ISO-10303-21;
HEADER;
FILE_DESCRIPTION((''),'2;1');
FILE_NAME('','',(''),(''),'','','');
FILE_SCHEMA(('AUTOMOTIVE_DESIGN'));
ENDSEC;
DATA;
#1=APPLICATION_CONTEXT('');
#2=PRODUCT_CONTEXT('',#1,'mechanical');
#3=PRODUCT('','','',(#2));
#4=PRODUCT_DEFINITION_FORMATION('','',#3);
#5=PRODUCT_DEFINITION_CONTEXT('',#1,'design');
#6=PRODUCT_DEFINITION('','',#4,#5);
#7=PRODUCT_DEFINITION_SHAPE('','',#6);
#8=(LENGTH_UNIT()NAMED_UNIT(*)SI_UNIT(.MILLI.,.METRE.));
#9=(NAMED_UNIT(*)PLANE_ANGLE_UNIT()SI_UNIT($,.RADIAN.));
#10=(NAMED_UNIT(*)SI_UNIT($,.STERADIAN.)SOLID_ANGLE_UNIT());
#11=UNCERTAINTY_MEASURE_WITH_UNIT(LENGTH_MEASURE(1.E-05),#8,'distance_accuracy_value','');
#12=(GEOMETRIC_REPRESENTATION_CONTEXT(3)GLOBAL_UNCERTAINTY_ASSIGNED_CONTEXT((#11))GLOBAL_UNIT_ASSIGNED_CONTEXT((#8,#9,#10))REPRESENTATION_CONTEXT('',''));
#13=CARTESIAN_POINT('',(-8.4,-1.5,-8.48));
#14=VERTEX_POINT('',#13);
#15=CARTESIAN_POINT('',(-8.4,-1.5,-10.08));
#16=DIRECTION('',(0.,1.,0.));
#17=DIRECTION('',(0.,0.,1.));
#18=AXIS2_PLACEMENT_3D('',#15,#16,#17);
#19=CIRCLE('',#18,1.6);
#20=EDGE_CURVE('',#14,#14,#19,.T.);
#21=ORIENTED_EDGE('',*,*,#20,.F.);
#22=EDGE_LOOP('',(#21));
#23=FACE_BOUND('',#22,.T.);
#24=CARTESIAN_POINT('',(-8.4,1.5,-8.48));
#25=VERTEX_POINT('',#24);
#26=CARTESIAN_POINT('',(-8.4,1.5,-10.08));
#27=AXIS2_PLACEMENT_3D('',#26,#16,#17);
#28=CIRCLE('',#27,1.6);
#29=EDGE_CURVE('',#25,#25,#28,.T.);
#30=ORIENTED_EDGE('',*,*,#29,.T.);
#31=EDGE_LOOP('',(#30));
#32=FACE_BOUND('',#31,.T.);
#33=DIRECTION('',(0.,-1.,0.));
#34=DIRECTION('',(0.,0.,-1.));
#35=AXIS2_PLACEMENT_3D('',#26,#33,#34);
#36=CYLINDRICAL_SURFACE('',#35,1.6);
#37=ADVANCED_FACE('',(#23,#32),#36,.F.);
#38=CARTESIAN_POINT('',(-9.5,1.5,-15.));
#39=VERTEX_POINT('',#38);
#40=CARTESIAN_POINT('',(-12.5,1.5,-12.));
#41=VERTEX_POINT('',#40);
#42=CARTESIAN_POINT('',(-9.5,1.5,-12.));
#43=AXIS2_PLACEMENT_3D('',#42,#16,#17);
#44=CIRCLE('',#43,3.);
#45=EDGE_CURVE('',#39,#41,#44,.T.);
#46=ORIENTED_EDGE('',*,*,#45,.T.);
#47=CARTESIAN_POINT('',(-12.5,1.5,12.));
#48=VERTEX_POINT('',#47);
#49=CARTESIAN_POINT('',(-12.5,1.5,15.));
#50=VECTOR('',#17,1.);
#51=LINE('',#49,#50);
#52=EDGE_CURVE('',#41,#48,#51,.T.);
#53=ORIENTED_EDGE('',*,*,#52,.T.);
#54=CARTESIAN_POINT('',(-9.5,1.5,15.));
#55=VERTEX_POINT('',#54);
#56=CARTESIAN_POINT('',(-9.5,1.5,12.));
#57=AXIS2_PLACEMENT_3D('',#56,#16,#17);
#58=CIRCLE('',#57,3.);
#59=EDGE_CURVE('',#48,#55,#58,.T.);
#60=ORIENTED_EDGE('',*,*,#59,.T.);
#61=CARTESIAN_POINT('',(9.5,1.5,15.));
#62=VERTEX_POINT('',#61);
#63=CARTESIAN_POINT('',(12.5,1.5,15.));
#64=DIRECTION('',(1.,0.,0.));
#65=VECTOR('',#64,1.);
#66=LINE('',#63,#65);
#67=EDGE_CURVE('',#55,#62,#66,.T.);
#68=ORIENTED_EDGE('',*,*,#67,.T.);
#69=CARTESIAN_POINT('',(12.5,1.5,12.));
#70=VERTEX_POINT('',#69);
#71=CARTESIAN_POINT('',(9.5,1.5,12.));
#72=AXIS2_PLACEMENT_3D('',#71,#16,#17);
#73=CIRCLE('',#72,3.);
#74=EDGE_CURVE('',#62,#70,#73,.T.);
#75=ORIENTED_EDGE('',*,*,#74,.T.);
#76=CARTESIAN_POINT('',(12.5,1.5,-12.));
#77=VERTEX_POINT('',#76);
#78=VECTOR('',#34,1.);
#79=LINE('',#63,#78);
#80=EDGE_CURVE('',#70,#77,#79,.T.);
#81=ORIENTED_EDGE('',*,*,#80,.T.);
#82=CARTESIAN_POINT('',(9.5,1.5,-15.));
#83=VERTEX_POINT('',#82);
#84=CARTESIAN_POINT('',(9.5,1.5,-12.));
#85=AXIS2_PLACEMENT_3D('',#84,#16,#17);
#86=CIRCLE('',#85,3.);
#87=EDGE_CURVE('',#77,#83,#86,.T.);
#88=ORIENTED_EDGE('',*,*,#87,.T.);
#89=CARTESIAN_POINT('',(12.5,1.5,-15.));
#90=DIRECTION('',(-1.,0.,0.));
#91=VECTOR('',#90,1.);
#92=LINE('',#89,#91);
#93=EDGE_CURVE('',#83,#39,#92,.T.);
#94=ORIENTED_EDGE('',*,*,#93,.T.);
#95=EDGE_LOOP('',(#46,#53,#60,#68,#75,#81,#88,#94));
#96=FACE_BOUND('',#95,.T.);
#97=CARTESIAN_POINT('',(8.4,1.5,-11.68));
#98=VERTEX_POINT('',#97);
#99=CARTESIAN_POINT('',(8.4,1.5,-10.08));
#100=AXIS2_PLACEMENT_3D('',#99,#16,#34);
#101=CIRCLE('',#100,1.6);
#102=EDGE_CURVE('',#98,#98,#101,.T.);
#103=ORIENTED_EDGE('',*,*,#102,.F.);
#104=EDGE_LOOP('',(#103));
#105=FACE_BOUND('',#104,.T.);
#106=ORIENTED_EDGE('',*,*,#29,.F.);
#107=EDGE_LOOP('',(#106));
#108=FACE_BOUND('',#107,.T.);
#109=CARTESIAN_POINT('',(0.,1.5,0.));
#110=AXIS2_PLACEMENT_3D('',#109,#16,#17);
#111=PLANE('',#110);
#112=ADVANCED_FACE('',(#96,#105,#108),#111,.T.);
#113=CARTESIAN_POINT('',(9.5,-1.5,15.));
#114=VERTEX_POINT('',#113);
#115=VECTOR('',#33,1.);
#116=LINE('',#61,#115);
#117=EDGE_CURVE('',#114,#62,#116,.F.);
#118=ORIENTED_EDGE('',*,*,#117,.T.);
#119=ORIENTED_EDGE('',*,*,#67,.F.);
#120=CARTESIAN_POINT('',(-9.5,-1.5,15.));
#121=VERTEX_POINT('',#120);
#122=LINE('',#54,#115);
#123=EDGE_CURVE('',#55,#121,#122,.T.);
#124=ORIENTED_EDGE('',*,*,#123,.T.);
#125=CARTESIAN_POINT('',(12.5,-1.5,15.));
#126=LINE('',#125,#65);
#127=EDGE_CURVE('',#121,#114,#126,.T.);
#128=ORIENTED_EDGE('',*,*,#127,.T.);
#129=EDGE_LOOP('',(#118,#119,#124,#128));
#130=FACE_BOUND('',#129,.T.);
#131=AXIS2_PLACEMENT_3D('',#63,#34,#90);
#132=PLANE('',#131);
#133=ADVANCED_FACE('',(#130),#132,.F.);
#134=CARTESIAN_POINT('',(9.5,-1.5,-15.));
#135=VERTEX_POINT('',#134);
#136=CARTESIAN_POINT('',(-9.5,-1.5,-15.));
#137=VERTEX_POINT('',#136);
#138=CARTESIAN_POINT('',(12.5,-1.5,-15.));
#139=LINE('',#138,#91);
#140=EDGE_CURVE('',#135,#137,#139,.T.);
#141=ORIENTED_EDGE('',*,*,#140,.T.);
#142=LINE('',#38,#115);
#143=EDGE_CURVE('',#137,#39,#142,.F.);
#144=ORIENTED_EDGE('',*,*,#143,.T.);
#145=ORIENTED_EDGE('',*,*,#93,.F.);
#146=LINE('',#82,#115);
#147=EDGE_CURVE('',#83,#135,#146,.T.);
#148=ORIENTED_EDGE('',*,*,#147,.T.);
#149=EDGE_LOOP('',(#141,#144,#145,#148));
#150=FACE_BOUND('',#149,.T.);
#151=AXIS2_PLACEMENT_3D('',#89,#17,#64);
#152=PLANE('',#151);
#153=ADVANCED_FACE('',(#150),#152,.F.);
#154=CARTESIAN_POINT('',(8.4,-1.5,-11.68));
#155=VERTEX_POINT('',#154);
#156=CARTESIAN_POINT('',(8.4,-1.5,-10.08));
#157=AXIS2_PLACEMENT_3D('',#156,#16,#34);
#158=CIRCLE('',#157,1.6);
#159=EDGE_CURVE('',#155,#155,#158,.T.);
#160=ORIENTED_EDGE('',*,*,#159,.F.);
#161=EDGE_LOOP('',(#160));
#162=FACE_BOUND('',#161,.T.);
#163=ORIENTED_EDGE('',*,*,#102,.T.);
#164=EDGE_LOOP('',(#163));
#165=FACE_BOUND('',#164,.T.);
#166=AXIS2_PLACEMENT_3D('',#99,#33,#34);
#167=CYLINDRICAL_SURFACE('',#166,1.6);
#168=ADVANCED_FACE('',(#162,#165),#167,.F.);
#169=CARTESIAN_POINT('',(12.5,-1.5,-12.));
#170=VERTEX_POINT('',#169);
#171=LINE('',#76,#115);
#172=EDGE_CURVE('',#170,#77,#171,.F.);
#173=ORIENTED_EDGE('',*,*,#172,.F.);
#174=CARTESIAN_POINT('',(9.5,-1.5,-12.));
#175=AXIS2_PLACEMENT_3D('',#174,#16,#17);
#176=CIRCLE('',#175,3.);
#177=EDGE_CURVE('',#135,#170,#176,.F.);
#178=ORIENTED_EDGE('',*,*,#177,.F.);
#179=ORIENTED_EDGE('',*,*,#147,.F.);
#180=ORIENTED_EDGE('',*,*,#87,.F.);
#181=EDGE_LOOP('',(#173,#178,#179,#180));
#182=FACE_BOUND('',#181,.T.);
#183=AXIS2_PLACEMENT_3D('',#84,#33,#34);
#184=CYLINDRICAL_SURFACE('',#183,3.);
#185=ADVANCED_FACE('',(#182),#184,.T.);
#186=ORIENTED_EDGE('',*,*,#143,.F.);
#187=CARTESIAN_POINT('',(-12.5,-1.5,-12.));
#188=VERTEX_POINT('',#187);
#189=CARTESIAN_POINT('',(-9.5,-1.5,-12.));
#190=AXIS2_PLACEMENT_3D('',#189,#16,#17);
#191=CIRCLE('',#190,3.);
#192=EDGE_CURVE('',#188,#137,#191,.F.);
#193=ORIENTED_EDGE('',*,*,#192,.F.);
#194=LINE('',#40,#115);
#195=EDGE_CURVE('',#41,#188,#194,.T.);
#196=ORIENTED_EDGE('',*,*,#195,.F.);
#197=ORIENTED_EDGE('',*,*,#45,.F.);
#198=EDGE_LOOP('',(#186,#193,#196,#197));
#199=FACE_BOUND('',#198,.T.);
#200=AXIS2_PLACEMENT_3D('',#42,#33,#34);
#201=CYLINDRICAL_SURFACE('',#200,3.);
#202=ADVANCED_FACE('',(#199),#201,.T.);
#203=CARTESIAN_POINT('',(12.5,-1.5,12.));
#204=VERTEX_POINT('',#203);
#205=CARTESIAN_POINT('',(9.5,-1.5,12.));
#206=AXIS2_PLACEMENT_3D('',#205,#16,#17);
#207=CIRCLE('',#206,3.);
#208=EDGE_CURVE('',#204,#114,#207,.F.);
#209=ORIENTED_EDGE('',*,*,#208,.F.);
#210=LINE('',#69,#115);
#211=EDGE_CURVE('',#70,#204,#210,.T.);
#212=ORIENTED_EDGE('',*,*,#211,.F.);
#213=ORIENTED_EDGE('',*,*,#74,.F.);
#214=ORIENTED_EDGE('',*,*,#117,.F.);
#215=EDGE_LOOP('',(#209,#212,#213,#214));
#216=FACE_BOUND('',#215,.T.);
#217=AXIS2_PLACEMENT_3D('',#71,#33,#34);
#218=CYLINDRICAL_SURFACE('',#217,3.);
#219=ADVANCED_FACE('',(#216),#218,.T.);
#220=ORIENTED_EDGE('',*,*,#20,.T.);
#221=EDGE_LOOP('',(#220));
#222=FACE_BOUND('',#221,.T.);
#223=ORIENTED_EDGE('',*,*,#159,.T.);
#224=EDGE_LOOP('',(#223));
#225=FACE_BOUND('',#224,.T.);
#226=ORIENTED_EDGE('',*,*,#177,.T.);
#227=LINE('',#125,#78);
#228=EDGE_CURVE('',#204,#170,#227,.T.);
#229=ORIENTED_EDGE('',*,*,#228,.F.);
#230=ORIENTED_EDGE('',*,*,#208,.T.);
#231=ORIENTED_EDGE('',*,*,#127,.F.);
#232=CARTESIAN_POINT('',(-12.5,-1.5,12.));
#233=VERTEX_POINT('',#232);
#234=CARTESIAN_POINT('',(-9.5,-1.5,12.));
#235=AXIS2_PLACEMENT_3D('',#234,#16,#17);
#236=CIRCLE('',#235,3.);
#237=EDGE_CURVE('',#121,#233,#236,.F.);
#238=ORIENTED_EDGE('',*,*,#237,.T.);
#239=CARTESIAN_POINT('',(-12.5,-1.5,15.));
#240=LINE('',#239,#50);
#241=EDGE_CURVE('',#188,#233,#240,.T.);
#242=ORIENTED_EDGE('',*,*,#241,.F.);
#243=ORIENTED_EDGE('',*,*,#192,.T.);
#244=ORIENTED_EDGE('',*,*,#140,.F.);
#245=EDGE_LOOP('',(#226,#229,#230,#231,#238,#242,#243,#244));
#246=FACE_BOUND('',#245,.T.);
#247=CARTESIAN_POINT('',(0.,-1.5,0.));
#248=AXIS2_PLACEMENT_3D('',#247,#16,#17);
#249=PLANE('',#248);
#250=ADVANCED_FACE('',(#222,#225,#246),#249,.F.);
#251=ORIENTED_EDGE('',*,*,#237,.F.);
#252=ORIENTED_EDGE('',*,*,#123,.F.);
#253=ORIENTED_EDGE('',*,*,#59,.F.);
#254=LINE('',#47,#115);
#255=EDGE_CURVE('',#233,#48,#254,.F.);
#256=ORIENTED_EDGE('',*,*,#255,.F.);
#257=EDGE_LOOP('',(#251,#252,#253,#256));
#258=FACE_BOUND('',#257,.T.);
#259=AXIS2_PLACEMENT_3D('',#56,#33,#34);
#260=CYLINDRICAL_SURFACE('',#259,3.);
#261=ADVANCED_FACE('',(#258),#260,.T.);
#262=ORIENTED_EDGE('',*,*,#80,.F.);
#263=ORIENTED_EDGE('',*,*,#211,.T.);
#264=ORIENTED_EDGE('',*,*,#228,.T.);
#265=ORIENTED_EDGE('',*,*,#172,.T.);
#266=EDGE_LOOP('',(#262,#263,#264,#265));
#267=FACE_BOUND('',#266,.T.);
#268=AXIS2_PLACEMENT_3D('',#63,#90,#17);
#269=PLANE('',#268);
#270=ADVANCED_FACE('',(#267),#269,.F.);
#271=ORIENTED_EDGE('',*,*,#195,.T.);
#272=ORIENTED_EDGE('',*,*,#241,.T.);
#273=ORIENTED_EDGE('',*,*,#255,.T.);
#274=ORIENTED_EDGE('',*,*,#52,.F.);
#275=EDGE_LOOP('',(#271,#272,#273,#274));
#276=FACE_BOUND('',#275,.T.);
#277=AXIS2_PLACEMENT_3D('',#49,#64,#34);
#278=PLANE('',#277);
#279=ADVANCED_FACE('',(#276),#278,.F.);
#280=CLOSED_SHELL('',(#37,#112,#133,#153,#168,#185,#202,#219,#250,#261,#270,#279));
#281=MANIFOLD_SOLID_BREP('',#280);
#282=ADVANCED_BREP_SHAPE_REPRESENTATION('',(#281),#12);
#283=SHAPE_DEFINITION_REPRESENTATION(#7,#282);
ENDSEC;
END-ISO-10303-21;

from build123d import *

# Parameters (mm, degrees)
SKETCH1_W           = 25
SKETCH1_H           = 30
SKETCH1_R           = 1.6
BOSS_EXTRUDE1_DEPTH = 1.5
FILLET1_R           = 3


with BuildPart() as part:
    # Sketch1 → Boss-Extrude1 (new, symmetric)
    with BuildSketch(Plane(origin=(0, 0, 0), x_dir=(1, 0, 0), z_dir=(0, 1, 0))):
        Rectangle(SKETCH1_W, SKETCH1_H)
        with Locations(Location((-8.4, 10.08, 0), (0, 0, 270))):
            Circle(SKETCH1_R, mode=Mode.SUBTRACT)
        with Locations(Location((8.4, 10.08, 0), (0, 0, 90))):
            Circle(SKETCH1_R, mode=Mode.SUBTRACT)
    extrude(amount=BOSS_EXTRUDE1_DEPTH, both=True)

    # Fillet1
    fillet1_edges = [part.edges().sort_by_distance(p)[0] for p in [
        (-12.5, 0, -15),
        (12.5, 0, -15),
        (12.5, 0, 15),
        (-12.5, 0, 15),
    ]]
    fillet(fillet1_edges, radius=FILLET1_R)


solid = part.part
